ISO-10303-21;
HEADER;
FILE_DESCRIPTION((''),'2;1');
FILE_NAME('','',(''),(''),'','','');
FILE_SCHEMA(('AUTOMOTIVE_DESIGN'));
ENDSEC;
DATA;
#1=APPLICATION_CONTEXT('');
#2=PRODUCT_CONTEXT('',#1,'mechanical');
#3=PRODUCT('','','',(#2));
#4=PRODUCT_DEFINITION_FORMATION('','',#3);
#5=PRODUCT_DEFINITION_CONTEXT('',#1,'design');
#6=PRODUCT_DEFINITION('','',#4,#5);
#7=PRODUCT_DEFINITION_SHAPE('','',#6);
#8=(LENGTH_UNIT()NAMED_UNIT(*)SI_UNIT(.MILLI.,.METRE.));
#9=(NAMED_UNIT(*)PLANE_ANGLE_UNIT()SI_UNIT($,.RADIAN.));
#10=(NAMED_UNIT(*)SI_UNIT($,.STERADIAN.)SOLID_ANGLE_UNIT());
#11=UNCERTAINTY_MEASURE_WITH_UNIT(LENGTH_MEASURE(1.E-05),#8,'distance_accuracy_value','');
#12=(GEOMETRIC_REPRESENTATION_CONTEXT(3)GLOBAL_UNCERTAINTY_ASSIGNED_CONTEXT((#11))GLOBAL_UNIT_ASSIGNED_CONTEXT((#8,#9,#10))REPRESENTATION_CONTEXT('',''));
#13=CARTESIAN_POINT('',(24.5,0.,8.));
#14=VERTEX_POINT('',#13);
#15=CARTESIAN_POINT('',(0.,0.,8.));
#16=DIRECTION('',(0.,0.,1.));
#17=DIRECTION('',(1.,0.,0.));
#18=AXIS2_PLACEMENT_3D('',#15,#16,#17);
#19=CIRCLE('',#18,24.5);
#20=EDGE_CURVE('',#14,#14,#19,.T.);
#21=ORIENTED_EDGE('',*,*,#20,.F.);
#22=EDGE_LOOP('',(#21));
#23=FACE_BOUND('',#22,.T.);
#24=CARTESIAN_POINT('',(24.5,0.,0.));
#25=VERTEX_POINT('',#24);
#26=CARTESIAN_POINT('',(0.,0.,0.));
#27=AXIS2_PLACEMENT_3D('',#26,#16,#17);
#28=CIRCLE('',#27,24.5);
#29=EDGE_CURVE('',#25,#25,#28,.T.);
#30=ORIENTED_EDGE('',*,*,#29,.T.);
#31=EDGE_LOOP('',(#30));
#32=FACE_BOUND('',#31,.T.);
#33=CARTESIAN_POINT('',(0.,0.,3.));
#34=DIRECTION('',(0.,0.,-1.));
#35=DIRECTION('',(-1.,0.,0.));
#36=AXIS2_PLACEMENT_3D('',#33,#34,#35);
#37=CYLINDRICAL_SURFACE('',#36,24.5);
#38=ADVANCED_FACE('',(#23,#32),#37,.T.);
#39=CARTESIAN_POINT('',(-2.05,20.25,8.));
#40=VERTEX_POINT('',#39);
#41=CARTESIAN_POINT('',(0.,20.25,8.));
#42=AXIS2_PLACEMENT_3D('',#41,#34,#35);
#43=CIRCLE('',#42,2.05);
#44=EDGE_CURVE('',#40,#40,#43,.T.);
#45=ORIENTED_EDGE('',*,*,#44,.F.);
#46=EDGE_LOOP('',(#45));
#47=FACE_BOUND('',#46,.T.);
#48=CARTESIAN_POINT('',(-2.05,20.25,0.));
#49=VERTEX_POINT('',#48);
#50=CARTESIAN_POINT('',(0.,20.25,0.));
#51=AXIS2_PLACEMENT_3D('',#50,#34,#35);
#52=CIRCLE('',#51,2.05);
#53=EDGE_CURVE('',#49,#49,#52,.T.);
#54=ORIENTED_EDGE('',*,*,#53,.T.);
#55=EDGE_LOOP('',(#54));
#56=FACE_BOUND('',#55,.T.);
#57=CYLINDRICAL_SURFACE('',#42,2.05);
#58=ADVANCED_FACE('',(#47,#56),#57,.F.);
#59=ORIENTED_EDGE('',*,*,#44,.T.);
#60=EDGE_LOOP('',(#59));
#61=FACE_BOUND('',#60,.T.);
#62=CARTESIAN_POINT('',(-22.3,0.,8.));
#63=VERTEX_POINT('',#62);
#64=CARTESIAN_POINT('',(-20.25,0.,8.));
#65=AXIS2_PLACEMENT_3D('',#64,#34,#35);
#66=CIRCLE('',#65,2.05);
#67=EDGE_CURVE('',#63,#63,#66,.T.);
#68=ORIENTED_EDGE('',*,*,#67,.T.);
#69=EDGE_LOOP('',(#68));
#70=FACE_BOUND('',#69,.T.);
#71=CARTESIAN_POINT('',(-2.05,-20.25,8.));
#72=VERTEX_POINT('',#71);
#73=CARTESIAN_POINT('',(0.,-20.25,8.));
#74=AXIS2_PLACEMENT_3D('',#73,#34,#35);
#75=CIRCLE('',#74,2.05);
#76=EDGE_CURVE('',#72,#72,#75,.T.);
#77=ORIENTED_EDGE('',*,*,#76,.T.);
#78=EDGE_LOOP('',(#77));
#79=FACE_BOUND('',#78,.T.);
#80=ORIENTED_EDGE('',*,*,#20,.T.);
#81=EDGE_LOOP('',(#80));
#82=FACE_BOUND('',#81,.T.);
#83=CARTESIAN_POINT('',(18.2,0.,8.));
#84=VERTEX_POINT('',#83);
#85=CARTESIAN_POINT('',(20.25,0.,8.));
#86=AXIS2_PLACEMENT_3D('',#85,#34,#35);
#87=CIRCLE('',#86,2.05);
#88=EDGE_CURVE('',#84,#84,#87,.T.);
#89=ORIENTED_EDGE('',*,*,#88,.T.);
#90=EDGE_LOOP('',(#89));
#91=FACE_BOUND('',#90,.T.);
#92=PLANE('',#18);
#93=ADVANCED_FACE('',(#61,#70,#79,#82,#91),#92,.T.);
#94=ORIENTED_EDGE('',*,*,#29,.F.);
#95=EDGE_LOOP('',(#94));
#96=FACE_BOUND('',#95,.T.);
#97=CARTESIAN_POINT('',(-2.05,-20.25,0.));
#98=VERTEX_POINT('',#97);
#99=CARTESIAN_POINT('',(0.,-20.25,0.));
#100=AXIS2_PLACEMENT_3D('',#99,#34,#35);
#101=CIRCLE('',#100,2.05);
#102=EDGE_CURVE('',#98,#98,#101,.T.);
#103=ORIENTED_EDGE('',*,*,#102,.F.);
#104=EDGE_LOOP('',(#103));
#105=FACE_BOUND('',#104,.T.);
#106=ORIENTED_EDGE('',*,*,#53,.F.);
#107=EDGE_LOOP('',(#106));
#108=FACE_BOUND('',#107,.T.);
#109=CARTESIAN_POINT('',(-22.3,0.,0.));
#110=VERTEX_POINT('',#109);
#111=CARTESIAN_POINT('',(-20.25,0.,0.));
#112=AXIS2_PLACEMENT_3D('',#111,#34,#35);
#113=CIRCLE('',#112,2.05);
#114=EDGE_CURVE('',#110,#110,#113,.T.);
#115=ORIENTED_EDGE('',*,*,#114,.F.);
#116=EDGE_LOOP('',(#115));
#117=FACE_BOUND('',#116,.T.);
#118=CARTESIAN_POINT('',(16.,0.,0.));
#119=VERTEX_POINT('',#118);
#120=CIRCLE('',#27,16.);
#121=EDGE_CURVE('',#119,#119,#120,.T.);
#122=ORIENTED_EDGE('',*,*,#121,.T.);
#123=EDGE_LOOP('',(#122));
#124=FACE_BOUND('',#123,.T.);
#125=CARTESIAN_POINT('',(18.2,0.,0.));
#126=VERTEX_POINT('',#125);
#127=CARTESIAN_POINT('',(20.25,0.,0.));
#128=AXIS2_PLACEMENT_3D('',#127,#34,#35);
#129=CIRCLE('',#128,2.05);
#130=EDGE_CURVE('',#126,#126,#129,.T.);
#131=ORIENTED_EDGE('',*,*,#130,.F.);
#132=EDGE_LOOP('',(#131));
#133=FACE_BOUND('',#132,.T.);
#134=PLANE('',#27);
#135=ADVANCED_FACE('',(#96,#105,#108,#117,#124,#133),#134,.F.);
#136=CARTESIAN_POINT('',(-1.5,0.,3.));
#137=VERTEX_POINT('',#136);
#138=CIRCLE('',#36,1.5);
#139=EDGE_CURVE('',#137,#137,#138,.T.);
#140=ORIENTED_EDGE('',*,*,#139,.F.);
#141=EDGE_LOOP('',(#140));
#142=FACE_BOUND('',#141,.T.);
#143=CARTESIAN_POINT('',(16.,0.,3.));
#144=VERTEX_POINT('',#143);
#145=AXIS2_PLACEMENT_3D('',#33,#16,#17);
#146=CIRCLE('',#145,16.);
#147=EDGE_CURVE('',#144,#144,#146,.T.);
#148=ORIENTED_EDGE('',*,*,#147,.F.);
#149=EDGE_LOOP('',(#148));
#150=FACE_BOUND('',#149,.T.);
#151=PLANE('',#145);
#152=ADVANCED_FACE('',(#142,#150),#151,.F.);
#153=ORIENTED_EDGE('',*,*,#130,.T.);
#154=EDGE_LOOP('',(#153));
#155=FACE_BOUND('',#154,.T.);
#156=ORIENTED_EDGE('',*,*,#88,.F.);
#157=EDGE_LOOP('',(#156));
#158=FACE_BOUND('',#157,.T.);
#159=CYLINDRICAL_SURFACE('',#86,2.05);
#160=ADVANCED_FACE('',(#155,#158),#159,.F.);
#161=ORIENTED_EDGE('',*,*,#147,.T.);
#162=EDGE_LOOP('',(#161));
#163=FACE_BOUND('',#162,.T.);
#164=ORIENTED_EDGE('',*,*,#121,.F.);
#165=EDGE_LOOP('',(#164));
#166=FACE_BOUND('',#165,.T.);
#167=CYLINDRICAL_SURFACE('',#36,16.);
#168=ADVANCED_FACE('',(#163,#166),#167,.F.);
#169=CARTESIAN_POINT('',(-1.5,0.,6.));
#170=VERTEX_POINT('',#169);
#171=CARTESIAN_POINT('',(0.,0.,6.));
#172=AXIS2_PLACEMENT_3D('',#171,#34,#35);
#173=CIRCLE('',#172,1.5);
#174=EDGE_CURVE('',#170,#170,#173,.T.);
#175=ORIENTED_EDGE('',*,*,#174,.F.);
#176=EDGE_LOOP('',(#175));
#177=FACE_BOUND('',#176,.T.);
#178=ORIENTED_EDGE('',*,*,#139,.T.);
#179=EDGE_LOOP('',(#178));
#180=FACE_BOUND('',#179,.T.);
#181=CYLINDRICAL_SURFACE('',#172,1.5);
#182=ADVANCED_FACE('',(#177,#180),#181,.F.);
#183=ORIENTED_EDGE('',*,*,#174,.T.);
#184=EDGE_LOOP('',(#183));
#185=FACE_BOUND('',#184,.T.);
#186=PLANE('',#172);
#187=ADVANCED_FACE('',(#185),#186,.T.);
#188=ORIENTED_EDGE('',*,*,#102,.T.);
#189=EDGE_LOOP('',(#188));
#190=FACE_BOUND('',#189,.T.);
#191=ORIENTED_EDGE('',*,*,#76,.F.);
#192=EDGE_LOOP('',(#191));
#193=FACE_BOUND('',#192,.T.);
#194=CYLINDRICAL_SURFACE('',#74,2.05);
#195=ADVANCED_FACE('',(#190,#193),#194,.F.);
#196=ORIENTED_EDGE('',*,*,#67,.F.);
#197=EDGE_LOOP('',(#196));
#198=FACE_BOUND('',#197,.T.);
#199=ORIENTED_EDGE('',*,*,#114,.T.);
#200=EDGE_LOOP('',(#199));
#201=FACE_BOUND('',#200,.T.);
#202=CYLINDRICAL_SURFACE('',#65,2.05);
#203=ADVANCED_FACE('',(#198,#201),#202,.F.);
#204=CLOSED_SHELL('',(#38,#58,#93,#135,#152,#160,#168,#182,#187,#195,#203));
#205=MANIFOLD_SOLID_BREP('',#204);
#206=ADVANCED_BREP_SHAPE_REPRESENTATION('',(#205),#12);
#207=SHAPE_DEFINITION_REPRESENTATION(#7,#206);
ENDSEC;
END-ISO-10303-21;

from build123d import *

# Parameters (mm, degrees)
SKETCH1_R           = 24.5
SKETCH1_R_2         = 16
BOSS_EXTRUDE1_DEPTH = 3
SKETCH2_R           = 24.5
BOSS_EXTRUDE2_DEPTH = 5
SKETCH3_R           = 2.05
CUT_EXTRUDE1_DEPTH  = 36.559808773
SKETCH4_R           = 1.5
CUT_EXTRUDE2_DEPTH  = 3


with BuildPart() as part:
    # Sketch1 → Boss-Extrude1 (new body)
    with BuildSketch(Plane.XY):
        Circle(SKETCH1_R)
        Circle(SKETCH1_R_2, mode=Mode.SUBTRACT)
    extrude(amount=BOSS_EXTRUDE1_DEPTH)

    # Sketch2 → Boss-Extrude2 (add)
    with BuildSketch(Plane.XY.offset(3)):
        Circle(SKETCH2_R)
    extrude(amount=BOSS_EXTRUDE2_DEPTH)

    # Sketch3 → Cut-Extrude1 (cut, through all)
    with BuildSketch(Plane(origin=(0, 0, 0), x_dir=(-1, 0, 0), z_dir=(0, 0, -1))):
        with Locations((0, 20.25)):
            Circle(SKETCH3_R)
        with Locations((20.25, 0)):
            Circle(SKETCH3_R)
        with Locations((0, -20.25)):
            Circle(SKETCH3_R)
        with Locations((-20.25, 0)):
            Circle(SKETCH3_R)
    extrude(amount=-CUT_EXTRUDE1_DEPTH, mode=Mode.SUBTRACT)

    # Sketch4 → Cut-Extrude2 (cut)
    with BuildSketch(Plane(origin=(0, 0, 3), x_dir=(-1, 0, 0), z_dir=(0, 0, -1))):
        Circle(SKETCH4_R)
    extrude(amount=-CUT_EXTRUDE2_DEPTH, mode=Mode.SUBTRACT)


solid = part.part
